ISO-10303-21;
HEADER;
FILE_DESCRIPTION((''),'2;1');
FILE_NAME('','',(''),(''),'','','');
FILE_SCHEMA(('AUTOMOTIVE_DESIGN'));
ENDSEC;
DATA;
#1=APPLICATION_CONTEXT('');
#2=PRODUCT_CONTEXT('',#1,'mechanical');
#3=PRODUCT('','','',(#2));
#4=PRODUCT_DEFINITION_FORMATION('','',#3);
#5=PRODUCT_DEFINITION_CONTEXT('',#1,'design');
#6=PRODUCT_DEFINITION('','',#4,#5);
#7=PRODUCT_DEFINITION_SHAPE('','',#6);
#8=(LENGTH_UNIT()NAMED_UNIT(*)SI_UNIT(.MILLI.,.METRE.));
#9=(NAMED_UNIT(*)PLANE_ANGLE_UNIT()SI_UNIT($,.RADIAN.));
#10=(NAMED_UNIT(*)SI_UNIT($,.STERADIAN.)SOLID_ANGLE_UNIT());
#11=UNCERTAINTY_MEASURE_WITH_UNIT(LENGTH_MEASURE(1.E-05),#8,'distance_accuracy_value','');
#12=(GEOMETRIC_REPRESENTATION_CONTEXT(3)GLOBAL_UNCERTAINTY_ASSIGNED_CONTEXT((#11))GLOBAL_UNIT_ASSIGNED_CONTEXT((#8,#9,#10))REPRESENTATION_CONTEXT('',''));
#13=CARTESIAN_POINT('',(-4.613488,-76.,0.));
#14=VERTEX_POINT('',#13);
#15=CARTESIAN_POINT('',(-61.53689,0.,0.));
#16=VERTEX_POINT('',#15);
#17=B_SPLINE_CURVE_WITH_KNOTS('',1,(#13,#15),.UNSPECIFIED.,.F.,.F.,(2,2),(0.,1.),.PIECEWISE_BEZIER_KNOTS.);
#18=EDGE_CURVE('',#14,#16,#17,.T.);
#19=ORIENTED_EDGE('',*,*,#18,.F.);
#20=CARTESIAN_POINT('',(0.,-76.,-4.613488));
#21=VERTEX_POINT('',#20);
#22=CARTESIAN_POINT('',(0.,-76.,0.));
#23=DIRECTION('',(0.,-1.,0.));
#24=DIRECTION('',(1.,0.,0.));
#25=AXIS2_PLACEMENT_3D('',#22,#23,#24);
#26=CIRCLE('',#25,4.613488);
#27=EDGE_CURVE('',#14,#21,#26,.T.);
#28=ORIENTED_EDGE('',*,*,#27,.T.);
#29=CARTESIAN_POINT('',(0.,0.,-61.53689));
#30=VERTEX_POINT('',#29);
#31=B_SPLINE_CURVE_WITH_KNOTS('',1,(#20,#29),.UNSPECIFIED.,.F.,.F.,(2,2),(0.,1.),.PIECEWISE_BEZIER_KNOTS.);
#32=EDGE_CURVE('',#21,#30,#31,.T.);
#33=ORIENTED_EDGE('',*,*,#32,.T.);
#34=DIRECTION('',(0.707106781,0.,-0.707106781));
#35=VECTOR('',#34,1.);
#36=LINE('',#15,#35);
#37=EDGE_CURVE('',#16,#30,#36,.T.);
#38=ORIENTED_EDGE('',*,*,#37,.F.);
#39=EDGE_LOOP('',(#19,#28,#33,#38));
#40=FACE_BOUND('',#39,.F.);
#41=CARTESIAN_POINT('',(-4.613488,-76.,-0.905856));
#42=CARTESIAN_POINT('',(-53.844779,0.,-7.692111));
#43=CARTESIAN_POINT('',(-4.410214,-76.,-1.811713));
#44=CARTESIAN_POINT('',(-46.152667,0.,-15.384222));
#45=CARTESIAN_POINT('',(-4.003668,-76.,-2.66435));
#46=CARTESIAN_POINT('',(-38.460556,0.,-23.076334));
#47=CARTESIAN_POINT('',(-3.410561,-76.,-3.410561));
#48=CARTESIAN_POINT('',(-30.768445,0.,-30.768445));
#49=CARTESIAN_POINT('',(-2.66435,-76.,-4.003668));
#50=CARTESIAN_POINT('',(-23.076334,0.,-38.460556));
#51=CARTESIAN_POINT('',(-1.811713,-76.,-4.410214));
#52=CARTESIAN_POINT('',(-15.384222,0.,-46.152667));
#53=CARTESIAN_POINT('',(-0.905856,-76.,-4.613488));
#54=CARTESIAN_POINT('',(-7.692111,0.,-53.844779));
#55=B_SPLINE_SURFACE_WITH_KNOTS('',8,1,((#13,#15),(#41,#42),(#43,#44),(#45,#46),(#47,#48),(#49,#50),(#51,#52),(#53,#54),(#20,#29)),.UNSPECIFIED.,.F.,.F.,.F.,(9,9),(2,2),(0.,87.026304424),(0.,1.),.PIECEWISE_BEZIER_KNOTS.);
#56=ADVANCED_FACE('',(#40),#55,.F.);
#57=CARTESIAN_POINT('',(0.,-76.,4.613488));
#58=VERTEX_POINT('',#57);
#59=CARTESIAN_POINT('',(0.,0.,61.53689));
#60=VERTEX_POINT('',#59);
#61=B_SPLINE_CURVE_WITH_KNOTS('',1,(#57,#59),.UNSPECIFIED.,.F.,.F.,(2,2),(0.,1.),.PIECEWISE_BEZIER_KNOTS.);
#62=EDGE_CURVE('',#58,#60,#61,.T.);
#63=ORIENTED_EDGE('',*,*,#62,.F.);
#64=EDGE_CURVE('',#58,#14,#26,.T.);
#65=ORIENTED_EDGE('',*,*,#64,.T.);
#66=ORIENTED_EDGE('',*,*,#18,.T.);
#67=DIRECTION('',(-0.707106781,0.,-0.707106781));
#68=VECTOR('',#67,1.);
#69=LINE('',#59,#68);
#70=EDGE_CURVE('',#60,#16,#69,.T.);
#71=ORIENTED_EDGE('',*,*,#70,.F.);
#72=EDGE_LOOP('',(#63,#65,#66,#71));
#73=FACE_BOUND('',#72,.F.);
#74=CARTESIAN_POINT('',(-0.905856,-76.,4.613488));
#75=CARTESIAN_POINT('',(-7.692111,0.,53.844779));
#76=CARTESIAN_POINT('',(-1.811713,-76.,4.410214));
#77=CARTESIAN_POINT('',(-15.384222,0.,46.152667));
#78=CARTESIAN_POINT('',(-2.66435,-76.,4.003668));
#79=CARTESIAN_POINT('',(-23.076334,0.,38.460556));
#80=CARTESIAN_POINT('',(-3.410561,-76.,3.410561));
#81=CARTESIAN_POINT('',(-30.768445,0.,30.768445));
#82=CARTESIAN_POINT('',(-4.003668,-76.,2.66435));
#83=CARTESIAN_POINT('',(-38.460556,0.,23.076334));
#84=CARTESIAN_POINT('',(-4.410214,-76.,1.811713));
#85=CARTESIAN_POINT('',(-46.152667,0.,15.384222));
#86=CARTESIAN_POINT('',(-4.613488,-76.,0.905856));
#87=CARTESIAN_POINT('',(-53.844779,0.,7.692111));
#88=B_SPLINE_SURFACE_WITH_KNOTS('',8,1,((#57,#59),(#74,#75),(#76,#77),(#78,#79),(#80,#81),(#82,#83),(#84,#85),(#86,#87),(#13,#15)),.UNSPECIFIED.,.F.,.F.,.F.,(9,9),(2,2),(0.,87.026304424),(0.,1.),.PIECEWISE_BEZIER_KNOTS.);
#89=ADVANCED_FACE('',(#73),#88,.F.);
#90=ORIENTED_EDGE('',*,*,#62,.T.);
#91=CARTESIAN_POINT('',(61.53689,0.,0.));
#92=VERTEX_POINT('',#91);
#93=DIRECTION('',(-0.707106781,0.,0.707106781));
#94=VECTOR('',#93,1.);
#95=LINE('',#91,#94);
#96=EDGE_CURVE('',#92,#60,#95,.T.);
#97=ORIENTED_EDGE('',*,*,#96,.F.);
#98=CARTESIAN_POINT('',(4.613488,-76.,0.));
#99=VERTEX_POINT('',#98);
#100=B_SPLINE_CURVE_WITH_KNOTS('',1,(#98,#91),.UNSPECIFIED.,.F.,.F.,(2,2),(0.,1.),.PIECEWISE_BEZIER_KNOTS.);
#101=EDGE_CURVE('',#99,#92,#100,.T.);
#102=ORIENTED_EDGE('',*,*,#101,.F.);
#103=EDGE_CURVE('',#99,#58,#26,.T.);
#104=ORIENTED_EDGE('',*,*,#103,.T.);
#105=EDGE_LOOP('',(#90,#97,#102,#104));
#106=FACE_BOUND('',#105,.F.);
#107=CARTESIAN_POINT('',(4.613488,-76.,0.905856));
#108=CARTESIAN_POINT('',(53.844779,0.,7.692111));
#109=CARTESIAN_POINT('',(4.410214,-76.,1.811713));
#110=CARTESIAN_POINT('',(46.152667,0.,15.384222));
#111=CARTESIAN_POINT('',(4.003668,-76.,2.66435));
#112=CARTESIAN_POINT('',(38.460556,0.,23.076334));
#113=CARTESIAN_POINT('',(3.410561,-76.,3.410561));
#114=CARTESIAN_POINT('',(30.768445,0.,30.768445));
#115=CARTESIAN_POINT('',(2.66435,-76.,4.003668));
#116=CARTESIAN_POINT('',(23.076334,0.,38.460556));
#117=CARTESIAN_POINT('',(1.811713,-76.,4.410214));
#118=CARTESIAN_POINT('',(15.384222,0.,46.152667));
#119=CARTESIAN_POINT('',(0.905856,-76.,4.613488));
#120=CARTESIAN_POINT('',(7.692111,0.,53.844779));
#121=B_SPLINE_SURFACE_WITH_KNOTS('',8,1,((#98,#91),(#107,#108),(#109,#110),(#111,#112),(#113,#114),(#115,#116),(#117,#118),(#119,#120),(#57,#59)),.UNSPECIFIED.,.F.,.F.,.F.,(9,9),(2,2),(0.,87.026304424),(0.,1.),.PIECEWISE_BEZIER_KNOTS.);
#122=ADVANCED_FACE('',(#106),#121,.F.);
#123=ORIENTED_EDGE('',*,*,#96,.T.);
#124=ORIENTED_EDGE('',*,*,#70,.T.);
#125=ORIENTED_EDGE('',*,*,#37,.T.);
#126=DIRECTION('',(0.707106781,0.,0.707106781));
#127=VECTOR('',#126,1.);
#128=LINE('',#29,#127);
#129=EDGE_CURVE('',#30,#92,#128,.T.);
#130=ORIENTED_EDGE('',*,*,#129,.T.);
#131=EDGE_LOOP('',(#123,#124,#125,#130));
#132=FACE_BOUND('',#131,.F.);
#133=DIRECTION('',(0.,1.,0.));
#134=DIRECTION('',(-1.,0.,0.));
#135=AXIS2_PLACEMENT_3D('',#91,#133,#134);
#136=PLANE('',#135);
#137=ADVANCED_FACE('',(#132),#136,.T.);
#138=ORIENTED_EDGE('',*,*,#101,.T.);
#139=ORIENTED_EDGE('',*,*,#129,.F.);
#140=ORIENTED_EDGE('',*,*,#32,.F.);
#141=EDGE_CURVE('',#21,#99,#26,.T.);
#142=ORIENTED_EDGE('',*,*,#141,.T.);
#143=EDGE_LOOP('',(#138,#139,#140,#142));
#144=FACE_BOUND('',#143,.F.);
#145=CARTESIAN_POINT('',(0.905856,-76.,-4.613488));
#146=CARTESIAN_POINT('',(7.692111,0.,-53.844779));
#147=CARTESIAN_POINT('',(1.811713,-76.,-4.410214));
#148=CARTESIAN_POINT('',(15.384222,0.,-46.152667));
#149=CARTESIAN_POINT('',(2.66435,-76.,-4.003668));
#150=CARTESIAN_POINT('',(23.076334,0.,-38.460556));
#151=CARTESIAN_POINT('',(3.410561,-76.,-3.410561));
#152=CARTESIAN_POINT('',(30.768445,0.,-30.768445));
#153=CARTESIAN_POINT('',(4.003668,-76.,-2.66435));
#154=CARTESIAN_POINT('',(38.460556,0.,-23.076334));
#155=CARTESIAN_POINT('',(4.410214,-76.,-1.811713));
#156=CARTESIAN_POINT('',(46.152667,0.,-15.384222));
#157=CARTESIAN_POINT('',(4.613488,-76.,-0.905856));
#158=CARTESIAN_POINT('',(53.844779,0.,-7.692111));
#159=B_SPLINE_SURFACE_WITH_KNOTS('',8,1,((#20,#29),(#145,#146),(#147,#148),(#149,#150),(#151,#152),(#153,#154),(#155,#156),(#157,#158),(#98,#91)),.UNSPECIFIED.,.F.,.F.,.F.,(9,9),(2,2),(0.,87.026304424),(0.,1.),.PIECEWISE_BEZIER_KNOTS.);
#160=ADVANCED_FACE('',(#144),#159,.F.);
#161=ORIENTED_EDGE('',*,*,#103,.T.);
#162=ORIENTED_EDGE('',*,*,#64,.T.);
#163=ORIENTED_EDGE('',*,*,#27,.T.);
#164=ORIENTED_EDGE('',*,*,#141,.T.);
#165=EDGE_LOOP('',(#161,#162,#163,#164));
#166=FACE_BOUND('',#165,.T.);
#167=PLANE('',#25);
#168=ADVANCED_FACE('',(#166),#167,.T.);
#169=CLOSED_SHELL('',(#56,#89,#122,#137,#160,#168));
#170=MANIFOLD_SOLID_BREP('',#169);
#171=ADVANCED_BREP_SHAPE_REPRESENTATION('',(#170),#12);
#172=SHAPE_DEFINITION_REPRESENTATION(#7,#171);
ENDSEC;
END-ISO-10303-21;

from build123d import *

# Parameters (mm, degrees)
F2_R = 4.613488


with BuildPart() as f3:
    # F2 (on offset) → F3 section 0
    with BuildSketch(Plane.XZ.offset(76)):
        Circle(F2_R)
    # F0 (on Front) → F3 section 1
    with BuildSketch(Plane.XZ):
        Polygon((61.53689, 0), (0, 61.53689), (-61.53689, 0), (0, -61.53689), align=None)
    loft()


solid = f3.part
